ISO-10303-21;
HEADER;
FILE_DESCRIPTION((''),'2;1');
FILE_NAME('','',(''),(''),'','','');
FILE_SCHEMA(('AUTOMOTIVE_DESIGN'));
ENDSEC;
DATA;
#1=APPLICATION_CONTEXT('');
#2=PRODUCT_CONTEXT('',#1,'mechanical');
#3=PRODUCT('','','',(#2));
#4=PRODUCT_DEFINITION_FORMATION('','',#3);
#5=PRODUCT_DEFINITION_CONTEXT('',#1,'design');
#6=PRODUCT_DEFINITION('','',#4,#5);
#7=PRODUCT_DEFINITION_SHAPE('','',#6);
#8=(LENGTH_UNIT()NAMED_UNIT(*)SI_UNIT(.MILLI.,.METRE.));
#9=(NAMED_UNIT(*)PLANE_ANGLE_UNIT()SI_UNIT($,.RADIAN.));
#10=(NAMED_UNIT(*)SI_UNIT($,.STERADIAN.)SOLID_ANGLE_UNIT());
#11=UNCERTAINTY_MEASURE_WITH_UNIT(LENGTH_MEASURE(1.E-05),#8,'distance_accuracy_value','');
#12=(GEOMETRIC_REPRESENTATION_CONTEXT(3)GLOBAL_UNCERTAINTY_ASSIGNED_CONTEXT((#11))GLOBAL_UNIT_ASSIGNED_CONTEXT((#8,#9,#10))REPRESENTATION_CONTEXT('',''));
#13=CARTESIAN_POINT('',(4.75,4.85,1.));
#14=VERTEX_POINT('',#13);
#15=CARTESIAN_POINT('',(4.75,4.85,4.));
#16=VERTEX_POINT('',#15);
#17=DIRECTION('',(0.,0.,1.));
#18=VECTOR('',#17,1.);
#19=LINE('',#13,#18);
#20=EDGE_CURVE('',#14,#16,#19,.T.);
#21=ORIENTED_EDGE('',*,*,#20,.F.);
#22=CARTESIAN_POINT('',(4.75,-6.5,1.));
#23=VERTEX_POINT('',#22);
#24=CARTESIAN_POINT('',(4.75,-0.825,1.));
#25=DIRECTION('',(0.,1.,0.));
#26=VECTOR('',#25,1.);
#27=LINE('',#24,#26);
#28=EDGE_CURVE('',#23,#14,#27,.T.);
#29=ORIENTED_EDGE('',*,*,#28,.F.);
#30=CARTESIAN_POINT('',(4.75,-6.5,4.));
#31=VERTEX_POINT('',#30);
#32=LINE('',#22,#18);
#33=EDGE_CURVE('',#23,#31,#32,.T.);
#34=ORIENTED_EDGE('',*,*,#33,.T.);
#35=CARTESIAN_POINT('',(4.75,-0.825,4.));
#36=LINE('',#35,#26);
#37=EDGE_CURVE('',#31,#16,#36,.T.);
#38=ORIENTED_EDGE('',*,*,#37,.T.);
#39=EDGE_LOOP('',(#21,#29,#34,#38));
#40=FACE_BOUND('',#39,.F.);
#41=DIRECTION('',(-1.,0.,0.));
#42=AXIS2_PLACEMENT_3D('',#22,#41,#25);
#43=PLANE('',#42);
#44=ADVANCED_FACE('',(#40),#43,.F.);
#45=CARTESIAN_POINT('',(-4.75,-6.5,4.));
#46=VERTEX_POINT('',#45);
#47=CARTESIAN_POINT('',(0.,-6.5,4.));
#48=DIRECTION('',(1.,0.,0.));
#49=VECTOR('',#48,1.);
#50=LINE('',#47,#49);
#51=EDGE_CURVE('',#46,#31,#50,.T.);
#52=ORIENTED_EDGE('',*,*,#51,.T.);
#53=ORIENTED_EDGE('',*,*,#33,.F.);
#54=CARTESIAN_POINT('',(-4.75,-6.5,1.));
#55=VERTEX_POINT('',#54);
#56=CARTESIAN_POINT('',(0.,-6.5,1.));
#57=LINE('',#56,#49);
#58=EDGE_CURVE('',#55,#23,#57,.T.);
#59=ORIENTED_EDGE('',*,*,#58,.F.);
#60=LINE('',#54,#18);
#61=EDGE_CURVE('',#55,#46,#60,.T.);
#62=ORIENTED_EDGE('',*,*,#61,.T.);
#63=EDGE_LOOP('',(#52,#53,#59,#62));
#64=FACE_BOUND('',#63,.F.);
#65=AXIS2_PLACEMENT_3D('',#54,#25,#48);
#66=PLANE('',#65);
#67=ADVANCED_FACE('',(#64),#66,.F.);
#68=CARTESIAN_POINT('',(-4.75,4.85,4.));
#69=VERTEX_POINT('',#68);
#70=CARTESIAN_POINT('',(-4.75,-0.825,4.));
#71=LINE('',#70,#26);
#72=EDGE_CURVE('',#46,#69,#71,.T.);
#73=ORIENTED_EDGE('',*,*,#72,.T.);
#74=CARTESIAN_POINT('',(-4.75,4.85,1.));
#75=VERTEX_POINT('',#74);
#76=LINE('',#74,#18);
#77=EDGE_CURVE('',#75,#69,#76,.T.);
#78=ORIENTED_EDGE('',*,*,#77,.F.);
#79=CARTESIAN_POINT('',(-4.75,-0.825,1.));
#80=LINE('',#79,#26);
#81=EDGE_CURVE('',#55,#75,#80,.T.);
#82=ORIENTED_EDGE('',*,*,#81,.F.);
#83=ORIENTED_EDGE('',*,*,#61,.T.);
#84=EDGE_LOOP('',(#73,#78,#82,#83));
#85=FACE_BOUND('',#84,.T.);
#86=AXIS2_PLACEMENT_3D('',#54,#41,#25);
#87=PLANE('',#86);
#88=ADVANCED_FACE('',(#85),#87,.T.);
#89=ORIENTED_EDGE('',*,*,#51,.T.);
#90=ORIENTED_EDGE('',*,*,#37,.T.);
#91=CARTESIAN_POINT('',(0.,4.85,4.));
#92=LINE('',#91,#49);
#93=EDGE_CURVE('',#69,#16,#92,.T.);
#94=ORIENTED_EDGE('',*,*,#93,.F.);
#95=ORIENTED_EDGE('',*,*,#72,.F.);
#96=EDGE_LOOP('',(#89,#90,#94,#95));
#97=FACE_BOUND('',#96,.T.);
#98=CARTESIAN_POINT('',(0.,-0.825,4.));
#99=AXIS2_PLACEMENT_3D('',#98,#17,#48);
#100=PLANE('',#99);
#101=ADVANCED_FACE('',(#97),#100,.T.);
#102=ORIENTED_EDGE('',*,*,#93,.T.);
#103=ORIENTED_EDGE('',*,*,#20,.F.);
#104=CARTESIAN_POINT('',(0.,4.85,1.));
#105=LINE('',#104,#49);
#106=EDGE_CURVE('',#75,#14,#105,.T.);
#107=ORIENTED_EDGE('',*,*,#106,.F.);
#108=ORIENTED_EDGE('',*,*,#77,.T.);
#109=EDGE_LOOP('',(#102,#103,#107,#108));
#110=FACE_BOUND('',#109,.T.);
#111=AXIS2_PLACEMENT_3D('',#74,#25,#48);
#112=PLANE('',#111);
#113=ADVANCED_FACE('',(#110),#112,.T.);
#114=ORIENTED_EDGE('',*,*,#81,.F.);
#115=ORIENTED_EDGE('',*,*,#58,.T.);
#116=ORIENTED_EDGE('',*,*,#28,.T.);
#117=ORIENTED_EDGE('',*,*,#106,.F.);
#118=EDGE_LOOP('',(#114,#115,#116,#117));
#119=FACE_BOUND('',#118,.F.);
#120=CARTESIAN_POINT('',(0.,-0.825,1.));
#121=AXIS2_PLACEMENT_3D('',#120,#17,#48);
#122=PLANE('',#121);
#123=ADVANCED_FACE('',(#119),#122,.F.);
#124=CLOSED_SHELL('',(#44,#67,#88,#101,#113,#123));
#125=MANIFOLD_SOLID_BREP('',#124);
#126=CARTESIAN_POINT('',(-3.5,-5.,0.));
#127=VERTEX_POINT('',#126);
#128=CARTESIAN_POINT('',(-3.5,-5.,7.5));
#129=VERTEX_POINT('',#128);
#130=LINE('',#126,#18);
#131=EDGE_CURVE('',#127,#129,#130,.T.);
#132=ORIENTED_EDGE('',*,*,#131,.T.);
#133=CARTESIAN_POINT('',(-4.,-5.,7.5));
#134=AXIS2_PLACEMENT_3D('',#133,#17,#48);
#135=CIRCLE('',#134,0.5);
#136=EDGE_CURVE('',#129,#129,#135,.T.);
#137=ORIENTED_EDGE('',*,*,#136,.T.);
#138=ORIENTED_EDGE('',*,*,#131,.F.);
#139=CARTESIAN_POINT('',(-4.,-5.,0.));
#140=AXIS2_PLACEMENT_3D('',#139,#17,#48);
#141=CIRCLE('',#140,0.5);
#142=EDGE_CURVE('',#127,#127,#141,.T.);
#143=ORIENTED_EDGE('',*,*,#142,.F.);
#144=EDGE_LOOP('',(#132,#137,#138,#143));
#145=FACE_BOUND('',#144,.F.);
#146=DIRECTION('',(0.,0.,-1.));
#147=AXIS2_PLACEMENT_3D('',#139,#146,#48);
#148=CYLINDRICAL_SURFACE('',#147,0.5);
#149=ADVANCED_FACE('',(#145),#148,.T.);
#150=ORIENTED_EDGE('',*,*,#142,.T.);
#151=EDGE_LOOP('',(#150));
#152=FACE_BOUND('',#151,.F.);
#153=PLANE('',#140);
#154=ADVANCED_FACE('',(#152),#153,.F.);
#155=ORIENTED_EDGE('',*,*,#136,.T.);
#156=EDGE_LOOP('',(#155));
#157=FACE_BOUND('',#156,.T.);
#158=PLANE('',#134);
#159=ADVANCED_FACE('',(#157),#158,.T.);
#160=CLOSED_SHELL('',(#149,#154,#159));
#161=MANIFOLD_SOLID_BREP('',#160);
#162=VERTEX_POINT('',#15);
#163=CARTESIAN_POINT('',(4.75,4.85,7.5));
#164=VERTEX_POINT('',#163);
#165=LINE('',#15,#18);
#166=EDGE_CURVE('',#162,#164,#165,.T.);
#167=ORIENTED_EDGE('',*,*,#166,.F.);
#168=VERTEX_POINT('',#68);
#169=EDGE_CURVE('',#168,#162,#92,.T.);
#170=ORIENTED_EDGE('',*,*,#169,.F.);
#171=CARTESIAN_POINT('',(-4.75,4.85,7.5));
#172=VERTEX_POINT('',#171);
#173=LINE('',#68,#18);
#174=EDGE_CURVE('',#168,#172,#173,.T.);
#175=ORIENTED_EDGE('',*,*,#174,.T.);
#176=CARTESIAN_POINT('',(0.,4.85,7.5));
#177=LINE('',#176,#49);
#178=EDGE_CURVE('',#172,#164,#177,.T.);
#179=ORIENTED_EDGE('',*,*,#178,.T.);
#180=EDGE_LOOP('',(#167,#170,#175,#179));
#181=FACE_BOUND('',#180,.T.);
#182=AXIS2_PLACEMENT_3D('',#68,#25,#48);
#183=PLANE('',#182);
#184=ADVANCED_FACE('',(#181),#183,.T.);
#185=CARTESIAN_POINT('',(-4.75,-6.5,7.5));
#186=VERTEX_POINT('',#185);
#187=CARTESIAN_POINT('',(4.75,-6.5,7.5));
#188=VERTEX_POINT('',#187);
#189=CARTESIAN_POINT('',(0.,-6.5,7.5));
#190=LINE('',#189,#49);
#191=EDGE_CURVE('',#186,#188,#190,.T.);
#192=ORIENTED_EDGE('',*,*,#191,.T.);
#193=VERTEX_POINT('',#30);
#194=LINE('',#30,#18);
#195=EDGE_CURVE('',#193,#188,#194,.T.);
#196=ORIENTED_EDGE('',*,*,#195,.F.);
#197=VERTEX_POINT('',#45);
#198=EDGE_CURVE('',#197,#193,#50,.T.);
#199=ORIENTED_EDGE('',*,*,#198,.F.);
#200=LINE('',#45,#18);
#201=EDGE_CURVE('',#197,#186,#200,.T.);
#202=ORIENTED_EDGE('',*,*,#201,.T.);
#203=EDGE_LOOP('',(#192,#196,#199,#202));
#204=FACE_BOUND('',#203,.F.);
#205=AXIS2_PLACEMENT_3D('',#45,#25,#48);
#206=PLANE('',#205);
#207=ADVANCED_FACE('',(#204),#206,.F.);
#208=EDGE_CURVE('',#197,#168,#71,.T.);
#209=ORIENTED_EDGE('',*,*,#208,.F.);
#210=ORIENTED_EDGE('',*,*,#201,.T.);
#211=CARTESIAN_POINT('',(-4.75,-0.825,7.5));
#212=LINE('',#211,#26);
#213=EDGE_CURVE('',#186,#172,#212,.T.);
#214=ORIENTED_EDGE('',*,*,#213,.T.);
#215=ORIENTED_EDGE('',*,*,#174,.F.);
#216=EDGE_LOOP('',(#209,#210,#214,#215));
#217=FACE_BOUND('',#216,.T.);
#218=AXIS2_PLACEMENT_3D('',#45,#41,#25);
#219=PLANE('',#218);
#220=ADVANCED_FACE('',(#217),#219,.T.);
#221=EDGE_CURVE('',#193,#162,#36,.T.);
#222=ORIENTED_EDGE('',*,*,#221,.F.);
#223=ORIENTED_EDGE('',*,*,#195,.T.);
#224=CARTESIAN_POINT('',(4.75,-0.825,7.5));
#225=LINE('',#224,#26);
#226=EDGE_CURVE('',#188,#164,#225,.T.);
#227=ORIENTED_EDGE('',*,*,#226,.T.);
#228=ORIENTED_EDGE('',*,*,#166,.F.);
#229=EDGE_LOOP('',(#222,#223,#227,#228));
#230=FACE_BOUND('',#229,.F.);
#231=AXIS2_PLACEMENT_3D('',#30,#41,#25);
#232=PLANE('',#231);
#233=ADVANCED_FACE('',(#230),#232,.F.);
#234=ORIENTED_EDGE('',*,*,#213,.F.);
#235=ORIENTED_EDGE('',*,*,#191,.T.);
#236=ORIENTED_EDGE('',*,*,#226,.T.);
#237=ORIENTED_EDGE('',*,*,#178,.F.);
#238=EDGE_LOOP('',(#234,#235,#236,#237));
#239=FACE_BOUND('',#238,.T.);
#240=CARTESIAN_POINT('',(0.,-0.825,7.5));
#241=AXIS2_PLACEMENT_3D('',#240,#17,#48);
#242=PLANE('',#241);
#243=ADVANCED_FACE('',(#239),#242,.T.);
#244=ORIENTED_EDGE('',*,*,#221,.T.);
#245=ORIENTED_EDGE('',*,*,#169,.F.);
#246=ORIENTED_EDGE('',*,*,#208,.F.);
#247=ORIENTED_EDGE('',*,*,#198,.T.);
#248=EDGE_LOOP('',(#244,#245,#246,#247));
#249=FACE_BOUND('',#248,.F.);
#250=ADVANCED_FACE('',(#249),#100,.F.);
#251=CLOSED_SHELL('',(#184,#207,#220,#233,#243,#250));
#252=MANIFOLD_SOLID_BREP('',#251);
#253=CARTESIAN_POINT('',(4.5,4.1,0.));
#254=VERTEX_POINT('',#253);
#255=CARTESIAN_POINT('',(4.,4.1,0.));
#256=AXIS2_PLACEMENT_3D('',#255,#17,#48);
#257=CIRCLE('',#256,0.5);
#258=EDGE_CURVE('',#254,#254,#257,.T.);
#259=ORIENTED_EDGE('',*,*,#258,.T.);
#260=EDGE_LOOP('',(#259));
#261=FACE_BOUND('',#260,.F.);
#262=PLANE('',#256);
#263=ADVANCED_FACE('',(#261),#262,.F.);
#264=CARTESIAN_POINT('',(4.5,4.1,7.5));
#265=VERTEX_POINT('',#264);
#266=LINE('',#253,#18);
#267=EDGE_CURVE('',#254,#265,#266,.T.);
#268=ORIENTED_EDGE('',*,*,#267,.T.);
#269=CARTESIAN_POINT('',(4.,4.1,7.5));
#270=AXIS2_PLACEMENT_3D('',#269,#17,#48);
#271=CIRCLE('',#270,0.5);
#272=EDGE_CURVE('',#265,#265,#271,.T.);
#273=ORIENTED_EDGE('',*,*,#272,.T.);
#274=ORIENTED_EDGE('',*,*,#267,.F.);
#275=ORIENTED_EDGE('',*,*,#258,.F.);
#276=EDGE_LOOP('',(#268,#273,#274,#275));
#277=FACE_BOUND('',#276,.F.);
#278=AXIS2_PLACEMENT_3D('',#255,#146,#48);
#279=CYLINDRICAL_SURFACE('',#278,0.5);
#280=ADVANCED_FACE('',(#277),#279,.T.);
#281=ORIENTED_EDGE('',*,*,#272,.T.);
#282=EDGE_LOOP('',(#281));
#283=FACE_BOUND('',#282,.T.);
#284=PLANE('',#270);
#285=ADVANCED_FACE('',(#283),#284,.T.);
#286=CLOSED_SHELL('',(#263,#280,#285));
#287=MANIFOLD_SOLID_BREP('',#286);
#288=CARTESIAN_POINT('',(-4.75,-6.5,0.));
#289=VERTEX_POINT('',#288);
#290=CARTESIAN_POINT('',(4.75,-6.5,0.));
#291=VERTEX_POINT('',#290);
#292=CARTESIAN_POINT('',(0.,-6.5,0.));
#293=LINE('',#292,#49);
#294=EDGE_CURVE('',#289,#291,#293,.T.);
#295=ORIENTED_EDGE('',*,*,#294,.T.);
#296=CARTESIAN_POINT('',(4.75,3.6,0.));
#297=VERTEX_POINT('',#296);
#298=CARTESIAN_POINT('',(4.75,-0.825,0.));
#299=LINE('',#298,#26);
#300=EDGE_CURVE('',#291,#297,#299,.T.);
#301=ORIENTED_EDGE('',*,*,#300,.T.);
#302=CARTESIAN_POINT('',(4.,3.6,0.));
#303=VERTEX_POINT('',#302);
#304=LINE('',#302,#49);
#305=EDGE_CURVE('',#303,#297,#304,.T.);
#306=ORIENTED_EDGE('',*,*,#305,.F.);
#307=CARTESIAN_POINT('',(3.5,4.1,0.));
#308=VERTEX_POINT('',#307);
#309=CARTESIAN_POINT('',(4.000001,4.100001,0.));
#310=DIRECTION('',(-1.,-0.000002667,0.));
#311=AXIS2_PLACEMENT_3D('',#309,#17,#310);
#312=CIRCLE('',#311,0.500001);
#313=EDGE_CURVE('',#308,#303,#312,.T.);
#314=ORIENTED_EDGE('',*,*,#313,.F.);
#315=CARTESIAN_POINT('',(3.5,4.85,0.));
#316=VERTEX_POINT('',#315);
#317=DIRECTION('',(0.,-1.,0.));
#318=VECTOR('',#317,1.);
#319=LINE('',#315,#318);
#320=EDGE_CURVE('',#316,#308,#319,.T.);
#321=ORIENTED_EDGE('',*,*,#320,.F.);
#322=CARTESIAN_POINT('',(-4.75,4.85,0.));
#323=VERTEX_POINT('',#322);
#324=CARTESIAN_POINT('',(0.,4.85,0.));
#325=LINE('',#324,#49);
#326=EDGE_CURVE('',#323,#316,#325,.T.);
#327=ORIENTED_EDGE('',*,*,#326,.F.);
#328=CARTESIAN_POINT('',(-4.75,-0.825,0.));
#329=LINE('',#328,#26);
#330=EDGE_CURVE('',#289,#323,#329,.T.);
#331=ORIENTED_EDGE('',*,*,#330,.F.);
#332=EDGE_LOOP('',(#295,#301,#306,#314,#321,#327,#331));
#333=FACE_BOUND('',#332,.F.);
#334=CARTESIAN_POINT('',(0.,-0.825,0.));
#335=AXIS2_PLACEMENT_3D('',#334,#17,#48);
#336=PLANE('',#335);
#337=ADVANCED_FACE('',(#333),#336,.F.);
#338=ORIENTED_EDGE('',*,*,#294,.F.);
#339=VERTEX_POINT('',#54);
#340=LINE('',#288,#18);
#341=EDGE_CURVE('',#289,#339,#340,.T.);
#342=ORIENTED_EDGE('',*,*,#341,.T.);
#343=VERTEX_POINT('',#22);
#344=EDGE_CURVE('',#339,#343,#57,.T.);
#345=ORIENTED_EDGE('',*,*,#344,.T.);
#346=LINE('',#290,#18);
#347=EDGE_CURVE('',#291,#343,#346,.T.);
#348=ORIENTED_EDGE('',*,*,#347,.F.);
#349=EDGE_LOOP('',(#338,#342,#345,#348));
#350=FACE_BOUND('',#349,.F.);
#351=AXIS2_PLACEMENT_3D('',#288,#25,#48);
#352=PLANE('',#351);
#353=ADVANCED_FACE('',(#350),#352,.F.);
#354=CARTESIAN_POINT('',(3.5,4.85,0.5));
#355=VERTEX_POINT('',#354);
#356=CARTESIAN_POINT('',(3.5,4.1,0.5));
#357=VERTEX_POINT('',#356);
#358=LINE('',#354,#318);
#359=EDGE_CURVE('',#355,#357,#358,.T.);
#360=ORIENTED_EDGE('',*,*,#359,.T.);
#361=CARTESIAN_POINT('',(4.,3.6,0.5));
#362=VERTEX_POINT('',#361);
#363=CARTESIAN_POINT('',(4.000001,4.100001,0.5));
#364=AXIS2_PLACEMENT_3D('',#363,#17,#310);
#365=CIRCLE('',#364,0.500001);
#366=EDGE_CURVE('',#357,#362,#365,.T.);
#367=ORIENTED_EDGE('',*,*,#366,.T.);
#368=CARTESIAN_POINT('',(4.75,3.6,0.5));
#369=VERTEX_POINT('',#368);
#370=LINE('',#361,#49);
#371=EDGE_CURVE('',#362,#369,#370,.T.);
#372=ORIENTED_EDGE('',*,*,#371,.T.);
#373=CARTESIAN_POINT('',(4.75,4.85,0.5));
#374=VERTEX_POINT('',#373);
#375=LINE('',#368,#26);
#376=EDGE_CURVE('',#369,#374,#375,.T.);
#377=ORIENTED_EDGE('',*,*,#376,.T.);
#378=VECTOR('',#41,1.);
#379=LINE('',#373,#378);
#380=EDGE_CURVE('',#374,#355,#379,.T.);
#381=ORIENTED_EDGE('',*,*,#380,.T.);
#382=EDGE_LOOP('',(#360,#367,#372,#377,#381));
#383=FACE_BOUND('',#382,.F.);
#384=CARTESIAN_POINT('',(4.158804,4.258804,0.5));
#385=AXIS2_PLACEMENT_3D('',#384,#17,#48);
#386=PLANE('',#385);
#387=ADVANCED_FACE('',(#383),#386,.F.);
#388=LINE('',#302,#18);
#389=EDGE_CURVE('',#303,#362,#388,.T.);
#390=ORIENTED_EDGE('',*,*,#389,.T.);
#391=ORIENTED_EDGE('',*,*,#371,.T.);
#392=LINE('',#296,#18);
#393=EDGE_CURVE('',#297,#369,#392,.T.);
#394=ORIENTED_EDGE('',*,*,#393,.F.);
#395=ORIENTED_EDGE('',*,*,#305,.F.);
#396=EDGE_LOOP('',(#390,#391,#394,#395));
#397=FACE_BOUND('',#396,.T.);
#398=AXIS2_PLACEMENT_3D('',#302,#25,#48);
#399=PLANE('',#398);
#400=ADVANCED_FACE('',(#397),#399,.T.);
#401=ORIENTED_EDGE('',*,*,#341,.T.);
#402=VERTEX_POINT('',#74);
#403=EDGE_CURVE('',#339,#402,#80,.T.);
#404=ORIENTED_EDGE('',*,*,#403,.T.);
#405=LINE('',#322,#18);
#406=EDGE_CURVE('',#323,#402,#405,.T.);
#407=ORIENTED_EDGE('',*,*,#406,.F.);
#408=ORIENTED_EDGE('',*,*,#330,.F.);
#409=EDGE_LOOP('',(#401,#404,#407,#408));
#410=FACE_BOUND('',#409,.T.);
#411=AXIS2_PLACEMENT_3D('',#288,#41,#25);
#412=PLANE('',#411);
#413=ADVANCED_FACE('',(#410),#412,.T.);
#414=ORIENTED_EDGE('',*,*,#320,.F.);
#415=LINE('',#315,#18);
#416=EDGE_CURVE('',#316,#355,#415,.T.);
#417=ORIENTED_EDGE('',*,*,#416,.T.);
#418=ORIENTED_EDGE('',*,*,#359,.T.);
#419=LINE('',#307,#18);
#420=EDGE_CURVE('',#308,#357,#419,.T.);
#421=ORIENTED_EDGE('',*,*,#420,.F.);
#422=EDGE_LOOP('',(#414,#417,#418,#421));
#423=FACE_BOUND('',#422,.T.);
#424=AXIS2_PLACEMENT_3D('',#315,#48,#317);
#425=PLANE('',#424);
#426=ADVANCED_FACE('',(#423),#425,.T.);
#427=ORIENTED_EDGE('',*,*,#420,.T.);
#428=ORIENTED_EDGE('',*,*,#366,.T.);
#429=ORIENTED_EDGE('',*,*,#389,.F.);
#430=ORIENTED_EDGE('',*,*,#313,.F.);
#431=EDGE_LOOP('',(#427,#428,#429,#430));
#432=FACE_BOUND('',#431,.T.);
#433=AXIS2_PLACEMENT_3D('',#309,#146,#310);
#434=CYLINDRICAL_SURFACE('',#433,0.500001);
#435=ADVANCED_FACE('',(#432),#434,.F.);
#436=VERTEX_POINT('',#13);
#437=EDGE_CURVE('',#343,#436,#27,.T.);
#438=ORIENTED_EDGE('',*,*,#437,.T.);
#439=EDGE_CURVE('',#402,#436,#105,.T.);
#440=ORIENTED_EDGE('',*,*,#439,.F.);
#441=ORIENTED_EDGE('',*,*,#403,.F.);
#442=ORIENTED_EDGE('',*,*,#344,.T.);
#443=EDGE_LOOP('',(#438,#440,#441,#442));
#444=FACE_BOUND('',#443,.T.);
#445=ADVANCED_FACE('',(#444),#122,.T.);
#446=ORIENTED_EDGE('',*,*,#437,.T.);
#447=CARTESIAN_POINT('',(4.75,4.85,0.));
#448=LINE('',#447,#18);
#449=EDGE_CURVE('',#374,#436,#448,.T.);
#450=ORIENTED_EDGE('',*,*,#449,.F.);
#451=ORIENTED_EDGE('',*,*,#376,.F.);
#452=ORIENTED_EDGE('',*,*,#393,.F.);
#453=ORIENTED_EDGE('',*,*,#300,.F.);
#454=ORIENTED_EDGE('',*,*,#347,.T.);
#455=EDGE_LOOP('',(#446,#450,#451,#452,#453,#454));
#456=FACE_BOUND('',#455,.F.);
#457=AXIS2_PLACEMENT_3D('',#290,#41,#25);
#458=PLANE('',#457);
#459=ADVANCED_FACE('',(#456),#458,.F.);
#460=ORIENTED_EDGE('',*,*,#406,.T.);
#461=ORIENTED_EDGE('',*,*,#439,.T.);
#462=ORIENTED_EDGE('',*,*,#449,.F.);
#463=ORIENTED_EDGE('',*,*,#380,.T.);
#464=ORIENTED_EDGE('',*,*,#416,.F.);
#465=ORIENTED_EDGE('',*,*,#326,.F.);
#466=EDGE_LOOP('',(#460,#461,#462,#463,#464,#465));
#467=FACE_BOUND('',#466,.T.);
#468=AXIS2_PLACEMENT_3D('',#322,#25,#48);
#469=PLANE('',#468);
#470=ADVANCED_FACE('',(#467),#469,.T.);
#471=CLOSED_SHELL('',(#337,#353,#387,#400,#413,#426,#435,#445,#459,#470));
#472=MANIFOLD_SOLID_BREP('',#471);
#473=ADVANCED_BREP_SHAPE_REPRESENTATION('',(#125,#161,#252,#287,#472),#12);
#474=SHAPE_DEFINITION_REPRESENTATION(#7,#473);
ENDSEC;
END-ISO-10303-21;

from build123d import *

# Parameters (mm, degrees)
SKETCH_W     = 9.5
SKETCH_H     = 11.35
PAD_DEPTH    = 1
POCKET_DEPTH = 0.5
SKETCH001_W  = 9.5
SKETCH001_H  = 11.35
PAD001_DEPTH = 3
SKETCH002_W  = 9.5
SKETCH002_H  = 11.35
PAD002_DEPTH = 3.5
SKETCH003_R  = 0.5
PAD003_DEPTH = 7.5
SKETCH004_R  = 0.5
PAD004_DEPTH = 7.5


with BuildPart() as bodybottom:
    # Sketch (on DatumPlane) → Pad (new body)
    with BuildSketch(Plane.XY):
        with Locations((0, -0.825)):
            Rectangle(SKETCH_W, SKETCH_H)
    extrude(amount=PAD_DEPTH)

    # Sketch005 (on DatumPlane) → Pocket (cut)
    with BuildSketch(Plane.XY):
        with BuildLine():
            Line((4, 3.6), (4.75, 3.6))
            Line((4.75, 3.6), (4.75, 4.85))
            Line((4.75, 4.85), (3.5, 4.85))
            Line((3.5, 4.85), (3.5, 4.1))
            ThreePointArc((3.5, 4.1), (3.646447, 3.746447), (4, 3.6))
        make_face()
    extrude(amount=POCKET_DEPTH, mode=Mode.SUBTRACT)


with BuildPart() as bodymiddle:
    # Sketch001 (on DatumPlane) → Pad001 (new body)
    with BuildSketch(Plane.XY.offset(1)):
        with Locations((0, -0.825)):
            Rectangle(SKETCH001_W, SKETCH001_H)
    extrude(amount=PAD001_DEPTH)


with BuildPart() as bodytop:
    # Sketch002 (on DatumPlane) → Pad002 (new body)
    with BuildSketch(Plane.XY.offset(4)):
        with Locations((0, -0.825)):
            Rectangle(SKETCH002_W, SKETCH002_H)
    extrude(amount=PAD002_DEPTH)


with BuildPart() as rivet1:
    # Sketch003 (on DatumPlane) → Pad003 (new body)
    with BuildSketch(Plane.XY):
        with Locations((4, 4.1)):
            Circle(SKETCH003_R)
    extrude(amount=PAD003_DEPTH)


with BuildPart() as rivet2:
    # Sketch004 (on DatumPlane) → Pad004 (new body)
    with BuildSketch(Plane.XY):
        with Locations((-4, -5)):
            Circle(SKETCH004_R)
    extrude(amount=PAD004_DEPTH)


solid = Compound([bodybottom.part, bodymiddle.part, bodytop.part, rivet1.part, rivet2.part])
